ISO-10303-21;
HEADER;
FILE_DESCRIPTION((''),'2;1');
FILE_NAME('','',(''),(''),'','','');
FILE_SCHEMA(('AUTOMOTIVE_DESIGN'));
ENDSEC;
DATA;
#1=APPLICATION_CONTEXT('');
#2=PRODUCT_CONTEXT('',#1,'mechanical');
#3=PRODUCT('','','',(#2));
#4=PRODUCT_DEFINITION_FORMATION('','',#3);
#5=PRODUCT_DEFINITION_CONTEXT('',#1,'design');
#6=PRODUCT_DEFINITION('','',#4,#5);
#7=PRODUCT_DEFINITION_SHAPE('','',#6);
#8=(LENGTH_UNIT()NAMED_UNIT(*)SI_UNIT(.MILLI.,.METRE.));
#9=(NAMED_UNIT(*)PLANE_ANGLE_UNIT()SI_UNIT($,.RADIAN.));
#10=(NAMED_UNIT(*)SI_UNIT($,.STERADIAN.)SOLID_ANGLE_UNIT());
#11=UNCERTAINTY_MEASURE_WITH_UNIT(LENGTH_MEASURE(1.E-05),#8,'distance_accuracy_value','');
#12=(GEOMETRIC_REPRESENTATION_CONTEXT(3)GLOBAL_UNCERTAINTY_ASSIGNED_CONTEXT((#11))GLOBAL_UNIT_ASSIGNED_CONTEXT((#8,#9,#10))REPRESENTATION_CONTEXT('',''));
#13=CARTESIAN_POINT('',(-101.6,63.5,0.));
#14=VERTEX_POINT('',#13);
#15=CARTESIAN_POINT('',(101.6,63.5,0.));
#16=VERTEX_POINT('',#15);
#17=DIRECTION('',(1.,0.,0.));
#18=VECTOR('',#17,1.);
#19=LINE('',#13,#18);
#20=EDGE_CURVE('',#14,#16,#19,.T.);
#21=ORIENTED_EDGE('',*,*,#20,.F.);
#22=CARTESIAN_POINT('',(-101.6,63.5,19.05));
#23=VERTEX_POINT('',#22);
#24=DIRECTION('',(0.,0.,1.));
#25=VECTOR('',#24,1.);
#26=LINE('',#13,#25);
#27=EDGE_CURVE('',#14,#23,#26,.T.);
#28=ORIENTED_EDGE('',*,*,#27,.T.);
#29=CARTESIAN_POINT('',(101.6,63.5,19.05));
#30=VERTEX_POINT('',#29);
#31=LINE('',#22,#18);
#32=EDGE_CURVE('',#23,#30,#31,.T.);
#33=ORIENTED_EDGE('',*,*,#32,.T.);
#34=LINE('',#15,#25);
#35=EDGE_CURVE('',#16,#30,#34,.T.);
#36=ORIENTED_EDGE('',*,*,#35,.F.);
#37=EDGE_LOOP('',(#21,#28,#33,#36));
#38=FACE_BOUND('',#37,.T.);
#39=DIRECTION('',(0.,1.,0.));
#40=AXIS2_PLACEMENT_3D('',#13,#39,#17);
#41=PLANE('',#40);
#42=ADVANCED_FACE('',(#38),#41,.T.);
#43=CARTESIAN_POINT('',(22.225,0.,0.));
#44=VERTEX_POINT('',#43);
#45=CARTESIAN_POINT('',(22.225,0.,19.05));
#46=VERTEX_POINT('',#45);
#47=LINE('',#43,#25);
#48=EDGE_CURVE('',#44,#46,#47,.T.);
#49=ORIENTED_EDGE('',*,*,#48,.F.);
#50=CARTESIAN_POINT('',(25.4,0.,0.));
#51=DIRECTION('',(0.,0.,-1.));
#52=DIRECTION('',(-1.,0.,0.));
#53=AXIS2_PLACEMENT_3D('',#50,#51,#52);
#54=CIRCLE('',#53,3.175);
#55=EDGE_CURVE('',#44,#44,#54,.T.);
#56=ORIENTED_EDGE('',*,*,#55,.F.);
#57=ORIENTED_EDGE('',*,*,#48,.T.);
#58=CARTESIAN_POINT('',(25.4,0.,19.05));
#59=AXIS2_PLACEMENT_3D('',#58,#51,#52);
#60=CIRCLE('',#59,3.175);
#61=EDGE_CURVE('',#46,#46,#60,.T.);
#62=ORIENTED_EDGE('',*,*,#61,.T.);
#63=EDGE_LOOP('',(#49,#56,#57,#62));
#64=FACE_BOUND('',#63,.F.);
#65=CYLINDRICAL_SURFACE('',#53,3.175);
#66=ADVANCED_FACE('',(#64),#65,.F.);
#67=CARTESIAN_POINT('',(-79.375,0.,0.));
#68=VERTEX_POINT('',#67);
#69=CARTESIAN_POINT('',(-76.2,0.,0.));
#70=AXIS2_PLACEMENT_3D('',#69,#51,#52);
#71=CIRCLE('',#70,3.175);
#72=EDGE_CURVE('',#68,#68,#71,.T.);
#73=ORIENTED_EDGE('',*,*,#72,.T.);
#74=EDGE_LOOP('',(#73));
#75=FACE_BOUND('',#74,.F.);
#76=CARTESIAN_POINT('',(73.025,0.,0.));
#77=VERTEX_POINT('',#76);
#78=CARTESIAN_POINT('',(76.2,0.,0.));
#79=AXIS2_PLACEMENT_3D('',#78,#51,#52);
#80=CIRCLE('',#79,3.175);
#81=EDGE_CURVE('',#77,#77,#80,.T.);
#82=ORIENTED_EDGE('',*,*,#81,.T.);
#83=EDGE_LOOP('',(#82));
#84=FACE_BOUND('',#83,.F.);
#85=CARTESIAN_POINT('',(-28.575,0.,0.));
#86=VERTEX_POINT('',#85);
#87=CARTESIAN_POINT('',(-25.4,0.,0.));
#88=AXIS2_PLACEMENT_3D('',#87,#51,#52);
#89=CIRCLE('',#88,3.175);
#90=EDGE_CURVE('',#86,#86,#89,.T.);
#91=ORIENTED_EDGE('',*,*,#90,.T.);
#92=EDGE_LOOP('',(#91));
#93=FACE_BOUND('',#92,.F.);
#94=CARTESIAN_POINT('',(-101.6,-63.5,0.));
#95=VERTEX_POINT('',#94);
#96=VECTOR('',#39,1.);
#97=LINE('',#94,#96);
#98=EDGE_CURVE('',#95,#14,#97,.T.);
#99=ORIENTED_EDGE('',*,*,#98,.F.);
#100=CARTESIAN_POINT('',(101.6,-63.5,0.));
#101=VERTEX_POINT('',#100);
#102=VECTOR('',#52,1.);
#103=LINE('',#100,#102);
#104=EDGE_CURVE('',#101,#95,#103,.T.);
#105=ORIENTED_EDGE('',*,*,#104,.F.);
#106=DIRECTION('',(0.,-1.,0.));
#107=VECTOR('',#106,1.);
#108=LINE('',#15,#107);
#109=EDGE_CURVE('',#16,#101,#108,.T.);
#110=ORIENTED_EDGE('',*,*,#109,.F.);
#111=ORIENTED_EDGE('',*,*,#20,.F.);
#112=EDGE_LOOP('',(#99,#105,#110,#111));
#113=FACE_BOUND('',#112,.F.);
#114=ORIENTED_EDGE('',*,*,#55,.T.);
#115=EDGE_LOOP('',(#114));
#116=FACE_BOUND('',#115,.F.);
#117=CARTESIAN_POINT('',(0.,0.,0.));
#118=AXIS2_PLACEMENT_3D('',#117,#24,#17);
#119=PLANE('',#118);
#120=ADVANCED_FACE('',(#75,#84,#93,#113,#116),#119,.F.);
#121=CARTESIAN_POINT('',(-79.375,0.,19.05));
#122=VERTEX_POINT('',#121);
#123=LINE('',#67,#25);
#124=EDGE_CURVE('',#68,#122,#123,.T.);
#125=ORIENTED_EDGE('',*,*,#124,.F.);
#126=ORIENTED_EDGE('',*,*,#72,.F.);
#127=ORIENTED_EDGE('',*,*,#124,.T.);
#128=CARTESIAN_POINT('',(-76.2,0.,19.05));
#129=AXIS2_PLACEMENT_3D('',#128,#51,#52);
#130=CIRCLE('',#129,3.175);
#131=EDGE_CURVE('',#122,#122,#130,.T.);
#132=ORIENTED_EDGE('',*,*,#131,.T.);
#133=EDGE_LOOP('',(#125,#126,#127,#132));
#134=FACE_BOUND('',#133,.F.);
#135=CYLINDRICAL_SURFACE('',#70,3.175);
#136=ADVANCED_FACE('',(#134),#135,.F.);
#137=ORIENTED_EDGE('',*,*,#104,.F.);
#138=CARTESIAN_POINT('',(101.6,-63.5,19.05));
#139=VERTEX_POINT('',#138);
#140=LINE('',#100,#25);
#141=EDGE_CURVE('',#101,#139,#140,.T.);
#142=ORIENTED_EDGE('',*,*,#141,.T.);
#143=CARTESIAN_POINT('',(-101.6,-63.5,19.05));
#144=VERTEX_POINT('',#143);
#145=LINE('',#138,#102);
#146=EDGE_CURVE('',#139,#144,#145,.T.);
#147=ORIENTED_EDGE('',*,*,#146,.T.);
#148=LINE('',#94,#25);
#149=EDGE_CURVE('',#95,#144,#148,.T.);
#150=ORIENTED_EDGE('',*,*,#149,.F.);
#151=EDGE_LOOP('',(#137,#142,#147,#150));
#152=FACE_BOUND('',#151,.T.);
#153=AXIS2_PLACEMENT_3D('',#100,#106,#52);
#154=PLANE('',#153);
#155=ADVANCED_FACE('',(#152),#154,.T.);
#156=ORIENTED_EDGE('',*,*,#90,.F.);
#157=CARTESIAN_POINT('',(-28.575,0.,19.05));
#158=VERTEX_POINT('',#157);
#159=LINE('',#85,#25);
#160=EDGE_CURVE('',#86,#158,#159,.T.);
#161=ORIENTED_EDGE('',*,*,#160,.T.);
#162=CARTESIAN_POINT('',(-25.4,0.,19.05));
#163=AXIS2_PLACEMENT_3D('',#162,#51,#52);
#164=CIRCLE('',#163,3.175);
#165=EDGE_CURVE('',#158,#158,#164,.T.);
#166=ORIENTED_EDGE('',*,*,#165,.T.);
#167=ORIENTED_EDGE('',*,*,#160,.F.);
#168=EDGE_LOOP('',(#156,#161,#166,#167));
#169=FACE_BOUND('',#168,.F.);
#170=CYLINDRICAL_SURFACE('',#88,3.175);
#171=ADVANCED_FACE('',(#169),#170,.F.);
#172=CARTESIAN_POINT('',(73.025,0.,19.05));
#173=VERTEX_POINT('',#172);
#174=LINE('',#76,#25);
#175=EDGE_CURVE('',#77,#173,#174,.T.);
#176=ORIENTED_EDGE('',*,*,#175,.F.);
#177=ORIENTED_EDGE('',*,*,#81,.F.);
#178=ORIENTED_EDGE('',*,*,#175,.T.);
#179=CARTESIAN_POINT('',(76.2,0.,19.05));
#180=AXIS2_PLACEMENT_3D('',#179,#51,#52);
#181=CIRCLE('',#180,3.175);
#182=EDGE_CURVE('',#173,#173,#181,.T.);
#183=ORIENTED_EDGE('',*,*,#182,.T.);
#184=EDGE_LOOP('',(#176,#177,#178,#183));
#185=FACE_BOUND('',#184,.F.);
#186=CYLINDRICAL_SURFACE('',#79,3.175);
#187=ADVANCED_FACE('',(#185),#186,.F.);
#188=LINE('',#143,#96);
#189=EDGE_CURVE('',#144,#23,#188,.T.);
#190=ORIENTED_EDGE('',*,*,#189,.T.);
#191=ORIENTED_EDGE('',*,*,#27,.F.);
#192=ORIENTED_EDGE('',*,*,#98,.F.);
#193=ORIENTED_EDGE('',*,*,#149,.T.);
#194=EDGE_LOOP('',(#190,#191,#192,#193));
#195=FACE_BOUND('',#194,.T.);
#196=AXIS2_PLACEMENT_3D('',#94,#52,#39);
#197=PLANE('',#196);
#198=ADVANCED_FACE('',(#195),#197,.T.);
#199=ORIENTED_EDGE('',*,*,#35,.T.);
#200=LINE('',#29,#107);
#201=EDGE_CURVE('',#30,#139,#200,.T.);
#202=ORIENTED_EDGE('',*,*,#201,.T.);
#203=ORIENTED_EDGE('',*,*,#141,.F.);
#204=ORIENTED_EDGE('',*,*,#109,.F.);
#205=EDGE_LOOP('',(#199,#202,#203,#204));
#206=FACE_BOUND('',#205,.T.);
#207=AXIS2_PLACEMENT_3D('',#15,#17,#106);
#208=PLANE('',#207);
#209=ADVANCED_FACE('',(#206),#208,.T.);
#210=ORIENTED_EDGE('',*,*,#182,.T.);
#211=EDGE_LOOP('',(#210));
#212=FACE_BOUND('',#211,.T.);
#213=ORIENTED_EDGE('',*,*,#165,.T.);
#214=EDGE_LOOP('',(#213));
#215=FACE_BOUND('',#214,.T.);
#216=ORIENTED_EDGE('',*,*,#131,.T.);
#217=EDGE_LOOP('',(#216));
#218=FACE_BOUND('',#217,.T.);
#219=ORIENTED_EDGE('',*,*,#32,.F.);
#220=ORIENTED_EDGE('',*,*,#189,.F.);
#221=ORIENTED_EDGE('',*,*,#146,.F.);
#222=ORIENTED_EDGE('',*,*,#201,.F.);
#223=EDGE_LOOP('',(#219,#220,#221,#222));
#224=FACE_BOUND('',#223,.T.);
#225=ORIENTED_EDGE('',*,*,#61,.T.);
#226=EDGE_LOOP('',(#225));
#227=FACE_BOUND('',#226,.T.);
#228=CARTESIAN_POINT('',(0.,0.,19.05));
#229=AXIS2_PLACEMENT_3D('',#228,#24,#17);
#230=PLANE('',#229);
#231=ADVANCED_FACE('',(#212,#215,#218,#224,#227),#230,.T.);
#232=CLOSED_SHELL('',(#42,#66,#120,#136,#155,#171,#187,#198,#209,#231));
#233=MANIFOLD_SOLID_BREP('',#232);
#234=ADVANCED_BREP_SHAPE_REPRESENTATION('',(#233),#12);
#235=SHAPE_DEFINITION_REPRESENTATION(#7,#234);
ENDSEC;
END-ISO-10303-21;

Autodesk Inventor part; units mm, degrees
ref_plane "YZ Plane" through (0, 0, 0) normal (1, 0, 0) x (0, 1, 0)
ref_plane "XZ Plane" through (0, 0, 0) normal (0, 1, 0) x (-1, 0, 0)
ref_plane "XY Plane" through (0, 0, 0) normal (0, 0, 1) x (1, 0, 0)
sketch "Sketch1" plane through (0, 0, 0) normal (0, 0, 1) x (1, 0, 0)
  line L0 (-101.6, 63.5) -> (101.6, 63.5)
  line L1 (101.6, 63.5) -> (101.6, -63.5)
  line L2 (101.6, -63.5) -> (-101.6, -63.5)
  line L3 (-101.6, -63.5) -> (-101.6, 63.5)
  line L4 (-101.6, 63.5) -> (101.6, -63.5) construction
  line L5 (101.6, 63.5) -> (-101.6, -63.5) construction
  circle A0 centre (-76.2, 0) radius 3.175
  circle A1 centre (-25.4, 0) radius 3.175
  circle A2 centre (25.4, 0) radius 3.175
  circle A3 centre (76.2, 0) radius 3.175
  point P0 (0, 0)
  dimension "d0" = 203.2
  dimension "d1" = 127
  dimension "d2" = 6.35
  dimension "d3" = 6.35
  dimension "d4" = 6.35
  dimension "d5" = 6.35
  dimension "d6" = 25.4
  dimension "d7" = 76.2
  dimension "d8" = 127
  dimension "d9" = 177.8
extrude "Extrusion1" add sketch "Sketch1" along normal blind 19.05 contours L0 L1 L2 L3 | A0 | A1 | A2 | A3
sketch "Sketch2" plane through (0, 0, 0) normal (0, 0, -1) x (-1, 0, 0)
  circle A0 centre (-76.2, 0) radius 3.175
  circle A1 centre (-25.4, 0) radius 3.175
  circle A2 centre (25.4, 0) radius 3.175
  circle A3 centre (76.2, 0) radius 3.175
  line L0 (-101.6, 63.5) -> (101.6, 63.5) projected
  line L1 (-101.6, -63.5) -> (-101.6, 63.5) projected
  point P0 (0, 0)
  dimension "d12" = 6.35
  dimension "d13" = 6.35
  dimension "d14" = 6.35
  dimension "d15" = 6.35
  dimension "d17" = 63.5
  dimension "d18" = 63.5
  dimension "d19" = 25.4
  dimension "d20" = 76.2
  dimension "d21" = 127
  dimension "d22" = 177.8
extrude "Extrusion2" cut sketch "Sketch2" against normal blind 19.05
properties part number "Part_Back"
